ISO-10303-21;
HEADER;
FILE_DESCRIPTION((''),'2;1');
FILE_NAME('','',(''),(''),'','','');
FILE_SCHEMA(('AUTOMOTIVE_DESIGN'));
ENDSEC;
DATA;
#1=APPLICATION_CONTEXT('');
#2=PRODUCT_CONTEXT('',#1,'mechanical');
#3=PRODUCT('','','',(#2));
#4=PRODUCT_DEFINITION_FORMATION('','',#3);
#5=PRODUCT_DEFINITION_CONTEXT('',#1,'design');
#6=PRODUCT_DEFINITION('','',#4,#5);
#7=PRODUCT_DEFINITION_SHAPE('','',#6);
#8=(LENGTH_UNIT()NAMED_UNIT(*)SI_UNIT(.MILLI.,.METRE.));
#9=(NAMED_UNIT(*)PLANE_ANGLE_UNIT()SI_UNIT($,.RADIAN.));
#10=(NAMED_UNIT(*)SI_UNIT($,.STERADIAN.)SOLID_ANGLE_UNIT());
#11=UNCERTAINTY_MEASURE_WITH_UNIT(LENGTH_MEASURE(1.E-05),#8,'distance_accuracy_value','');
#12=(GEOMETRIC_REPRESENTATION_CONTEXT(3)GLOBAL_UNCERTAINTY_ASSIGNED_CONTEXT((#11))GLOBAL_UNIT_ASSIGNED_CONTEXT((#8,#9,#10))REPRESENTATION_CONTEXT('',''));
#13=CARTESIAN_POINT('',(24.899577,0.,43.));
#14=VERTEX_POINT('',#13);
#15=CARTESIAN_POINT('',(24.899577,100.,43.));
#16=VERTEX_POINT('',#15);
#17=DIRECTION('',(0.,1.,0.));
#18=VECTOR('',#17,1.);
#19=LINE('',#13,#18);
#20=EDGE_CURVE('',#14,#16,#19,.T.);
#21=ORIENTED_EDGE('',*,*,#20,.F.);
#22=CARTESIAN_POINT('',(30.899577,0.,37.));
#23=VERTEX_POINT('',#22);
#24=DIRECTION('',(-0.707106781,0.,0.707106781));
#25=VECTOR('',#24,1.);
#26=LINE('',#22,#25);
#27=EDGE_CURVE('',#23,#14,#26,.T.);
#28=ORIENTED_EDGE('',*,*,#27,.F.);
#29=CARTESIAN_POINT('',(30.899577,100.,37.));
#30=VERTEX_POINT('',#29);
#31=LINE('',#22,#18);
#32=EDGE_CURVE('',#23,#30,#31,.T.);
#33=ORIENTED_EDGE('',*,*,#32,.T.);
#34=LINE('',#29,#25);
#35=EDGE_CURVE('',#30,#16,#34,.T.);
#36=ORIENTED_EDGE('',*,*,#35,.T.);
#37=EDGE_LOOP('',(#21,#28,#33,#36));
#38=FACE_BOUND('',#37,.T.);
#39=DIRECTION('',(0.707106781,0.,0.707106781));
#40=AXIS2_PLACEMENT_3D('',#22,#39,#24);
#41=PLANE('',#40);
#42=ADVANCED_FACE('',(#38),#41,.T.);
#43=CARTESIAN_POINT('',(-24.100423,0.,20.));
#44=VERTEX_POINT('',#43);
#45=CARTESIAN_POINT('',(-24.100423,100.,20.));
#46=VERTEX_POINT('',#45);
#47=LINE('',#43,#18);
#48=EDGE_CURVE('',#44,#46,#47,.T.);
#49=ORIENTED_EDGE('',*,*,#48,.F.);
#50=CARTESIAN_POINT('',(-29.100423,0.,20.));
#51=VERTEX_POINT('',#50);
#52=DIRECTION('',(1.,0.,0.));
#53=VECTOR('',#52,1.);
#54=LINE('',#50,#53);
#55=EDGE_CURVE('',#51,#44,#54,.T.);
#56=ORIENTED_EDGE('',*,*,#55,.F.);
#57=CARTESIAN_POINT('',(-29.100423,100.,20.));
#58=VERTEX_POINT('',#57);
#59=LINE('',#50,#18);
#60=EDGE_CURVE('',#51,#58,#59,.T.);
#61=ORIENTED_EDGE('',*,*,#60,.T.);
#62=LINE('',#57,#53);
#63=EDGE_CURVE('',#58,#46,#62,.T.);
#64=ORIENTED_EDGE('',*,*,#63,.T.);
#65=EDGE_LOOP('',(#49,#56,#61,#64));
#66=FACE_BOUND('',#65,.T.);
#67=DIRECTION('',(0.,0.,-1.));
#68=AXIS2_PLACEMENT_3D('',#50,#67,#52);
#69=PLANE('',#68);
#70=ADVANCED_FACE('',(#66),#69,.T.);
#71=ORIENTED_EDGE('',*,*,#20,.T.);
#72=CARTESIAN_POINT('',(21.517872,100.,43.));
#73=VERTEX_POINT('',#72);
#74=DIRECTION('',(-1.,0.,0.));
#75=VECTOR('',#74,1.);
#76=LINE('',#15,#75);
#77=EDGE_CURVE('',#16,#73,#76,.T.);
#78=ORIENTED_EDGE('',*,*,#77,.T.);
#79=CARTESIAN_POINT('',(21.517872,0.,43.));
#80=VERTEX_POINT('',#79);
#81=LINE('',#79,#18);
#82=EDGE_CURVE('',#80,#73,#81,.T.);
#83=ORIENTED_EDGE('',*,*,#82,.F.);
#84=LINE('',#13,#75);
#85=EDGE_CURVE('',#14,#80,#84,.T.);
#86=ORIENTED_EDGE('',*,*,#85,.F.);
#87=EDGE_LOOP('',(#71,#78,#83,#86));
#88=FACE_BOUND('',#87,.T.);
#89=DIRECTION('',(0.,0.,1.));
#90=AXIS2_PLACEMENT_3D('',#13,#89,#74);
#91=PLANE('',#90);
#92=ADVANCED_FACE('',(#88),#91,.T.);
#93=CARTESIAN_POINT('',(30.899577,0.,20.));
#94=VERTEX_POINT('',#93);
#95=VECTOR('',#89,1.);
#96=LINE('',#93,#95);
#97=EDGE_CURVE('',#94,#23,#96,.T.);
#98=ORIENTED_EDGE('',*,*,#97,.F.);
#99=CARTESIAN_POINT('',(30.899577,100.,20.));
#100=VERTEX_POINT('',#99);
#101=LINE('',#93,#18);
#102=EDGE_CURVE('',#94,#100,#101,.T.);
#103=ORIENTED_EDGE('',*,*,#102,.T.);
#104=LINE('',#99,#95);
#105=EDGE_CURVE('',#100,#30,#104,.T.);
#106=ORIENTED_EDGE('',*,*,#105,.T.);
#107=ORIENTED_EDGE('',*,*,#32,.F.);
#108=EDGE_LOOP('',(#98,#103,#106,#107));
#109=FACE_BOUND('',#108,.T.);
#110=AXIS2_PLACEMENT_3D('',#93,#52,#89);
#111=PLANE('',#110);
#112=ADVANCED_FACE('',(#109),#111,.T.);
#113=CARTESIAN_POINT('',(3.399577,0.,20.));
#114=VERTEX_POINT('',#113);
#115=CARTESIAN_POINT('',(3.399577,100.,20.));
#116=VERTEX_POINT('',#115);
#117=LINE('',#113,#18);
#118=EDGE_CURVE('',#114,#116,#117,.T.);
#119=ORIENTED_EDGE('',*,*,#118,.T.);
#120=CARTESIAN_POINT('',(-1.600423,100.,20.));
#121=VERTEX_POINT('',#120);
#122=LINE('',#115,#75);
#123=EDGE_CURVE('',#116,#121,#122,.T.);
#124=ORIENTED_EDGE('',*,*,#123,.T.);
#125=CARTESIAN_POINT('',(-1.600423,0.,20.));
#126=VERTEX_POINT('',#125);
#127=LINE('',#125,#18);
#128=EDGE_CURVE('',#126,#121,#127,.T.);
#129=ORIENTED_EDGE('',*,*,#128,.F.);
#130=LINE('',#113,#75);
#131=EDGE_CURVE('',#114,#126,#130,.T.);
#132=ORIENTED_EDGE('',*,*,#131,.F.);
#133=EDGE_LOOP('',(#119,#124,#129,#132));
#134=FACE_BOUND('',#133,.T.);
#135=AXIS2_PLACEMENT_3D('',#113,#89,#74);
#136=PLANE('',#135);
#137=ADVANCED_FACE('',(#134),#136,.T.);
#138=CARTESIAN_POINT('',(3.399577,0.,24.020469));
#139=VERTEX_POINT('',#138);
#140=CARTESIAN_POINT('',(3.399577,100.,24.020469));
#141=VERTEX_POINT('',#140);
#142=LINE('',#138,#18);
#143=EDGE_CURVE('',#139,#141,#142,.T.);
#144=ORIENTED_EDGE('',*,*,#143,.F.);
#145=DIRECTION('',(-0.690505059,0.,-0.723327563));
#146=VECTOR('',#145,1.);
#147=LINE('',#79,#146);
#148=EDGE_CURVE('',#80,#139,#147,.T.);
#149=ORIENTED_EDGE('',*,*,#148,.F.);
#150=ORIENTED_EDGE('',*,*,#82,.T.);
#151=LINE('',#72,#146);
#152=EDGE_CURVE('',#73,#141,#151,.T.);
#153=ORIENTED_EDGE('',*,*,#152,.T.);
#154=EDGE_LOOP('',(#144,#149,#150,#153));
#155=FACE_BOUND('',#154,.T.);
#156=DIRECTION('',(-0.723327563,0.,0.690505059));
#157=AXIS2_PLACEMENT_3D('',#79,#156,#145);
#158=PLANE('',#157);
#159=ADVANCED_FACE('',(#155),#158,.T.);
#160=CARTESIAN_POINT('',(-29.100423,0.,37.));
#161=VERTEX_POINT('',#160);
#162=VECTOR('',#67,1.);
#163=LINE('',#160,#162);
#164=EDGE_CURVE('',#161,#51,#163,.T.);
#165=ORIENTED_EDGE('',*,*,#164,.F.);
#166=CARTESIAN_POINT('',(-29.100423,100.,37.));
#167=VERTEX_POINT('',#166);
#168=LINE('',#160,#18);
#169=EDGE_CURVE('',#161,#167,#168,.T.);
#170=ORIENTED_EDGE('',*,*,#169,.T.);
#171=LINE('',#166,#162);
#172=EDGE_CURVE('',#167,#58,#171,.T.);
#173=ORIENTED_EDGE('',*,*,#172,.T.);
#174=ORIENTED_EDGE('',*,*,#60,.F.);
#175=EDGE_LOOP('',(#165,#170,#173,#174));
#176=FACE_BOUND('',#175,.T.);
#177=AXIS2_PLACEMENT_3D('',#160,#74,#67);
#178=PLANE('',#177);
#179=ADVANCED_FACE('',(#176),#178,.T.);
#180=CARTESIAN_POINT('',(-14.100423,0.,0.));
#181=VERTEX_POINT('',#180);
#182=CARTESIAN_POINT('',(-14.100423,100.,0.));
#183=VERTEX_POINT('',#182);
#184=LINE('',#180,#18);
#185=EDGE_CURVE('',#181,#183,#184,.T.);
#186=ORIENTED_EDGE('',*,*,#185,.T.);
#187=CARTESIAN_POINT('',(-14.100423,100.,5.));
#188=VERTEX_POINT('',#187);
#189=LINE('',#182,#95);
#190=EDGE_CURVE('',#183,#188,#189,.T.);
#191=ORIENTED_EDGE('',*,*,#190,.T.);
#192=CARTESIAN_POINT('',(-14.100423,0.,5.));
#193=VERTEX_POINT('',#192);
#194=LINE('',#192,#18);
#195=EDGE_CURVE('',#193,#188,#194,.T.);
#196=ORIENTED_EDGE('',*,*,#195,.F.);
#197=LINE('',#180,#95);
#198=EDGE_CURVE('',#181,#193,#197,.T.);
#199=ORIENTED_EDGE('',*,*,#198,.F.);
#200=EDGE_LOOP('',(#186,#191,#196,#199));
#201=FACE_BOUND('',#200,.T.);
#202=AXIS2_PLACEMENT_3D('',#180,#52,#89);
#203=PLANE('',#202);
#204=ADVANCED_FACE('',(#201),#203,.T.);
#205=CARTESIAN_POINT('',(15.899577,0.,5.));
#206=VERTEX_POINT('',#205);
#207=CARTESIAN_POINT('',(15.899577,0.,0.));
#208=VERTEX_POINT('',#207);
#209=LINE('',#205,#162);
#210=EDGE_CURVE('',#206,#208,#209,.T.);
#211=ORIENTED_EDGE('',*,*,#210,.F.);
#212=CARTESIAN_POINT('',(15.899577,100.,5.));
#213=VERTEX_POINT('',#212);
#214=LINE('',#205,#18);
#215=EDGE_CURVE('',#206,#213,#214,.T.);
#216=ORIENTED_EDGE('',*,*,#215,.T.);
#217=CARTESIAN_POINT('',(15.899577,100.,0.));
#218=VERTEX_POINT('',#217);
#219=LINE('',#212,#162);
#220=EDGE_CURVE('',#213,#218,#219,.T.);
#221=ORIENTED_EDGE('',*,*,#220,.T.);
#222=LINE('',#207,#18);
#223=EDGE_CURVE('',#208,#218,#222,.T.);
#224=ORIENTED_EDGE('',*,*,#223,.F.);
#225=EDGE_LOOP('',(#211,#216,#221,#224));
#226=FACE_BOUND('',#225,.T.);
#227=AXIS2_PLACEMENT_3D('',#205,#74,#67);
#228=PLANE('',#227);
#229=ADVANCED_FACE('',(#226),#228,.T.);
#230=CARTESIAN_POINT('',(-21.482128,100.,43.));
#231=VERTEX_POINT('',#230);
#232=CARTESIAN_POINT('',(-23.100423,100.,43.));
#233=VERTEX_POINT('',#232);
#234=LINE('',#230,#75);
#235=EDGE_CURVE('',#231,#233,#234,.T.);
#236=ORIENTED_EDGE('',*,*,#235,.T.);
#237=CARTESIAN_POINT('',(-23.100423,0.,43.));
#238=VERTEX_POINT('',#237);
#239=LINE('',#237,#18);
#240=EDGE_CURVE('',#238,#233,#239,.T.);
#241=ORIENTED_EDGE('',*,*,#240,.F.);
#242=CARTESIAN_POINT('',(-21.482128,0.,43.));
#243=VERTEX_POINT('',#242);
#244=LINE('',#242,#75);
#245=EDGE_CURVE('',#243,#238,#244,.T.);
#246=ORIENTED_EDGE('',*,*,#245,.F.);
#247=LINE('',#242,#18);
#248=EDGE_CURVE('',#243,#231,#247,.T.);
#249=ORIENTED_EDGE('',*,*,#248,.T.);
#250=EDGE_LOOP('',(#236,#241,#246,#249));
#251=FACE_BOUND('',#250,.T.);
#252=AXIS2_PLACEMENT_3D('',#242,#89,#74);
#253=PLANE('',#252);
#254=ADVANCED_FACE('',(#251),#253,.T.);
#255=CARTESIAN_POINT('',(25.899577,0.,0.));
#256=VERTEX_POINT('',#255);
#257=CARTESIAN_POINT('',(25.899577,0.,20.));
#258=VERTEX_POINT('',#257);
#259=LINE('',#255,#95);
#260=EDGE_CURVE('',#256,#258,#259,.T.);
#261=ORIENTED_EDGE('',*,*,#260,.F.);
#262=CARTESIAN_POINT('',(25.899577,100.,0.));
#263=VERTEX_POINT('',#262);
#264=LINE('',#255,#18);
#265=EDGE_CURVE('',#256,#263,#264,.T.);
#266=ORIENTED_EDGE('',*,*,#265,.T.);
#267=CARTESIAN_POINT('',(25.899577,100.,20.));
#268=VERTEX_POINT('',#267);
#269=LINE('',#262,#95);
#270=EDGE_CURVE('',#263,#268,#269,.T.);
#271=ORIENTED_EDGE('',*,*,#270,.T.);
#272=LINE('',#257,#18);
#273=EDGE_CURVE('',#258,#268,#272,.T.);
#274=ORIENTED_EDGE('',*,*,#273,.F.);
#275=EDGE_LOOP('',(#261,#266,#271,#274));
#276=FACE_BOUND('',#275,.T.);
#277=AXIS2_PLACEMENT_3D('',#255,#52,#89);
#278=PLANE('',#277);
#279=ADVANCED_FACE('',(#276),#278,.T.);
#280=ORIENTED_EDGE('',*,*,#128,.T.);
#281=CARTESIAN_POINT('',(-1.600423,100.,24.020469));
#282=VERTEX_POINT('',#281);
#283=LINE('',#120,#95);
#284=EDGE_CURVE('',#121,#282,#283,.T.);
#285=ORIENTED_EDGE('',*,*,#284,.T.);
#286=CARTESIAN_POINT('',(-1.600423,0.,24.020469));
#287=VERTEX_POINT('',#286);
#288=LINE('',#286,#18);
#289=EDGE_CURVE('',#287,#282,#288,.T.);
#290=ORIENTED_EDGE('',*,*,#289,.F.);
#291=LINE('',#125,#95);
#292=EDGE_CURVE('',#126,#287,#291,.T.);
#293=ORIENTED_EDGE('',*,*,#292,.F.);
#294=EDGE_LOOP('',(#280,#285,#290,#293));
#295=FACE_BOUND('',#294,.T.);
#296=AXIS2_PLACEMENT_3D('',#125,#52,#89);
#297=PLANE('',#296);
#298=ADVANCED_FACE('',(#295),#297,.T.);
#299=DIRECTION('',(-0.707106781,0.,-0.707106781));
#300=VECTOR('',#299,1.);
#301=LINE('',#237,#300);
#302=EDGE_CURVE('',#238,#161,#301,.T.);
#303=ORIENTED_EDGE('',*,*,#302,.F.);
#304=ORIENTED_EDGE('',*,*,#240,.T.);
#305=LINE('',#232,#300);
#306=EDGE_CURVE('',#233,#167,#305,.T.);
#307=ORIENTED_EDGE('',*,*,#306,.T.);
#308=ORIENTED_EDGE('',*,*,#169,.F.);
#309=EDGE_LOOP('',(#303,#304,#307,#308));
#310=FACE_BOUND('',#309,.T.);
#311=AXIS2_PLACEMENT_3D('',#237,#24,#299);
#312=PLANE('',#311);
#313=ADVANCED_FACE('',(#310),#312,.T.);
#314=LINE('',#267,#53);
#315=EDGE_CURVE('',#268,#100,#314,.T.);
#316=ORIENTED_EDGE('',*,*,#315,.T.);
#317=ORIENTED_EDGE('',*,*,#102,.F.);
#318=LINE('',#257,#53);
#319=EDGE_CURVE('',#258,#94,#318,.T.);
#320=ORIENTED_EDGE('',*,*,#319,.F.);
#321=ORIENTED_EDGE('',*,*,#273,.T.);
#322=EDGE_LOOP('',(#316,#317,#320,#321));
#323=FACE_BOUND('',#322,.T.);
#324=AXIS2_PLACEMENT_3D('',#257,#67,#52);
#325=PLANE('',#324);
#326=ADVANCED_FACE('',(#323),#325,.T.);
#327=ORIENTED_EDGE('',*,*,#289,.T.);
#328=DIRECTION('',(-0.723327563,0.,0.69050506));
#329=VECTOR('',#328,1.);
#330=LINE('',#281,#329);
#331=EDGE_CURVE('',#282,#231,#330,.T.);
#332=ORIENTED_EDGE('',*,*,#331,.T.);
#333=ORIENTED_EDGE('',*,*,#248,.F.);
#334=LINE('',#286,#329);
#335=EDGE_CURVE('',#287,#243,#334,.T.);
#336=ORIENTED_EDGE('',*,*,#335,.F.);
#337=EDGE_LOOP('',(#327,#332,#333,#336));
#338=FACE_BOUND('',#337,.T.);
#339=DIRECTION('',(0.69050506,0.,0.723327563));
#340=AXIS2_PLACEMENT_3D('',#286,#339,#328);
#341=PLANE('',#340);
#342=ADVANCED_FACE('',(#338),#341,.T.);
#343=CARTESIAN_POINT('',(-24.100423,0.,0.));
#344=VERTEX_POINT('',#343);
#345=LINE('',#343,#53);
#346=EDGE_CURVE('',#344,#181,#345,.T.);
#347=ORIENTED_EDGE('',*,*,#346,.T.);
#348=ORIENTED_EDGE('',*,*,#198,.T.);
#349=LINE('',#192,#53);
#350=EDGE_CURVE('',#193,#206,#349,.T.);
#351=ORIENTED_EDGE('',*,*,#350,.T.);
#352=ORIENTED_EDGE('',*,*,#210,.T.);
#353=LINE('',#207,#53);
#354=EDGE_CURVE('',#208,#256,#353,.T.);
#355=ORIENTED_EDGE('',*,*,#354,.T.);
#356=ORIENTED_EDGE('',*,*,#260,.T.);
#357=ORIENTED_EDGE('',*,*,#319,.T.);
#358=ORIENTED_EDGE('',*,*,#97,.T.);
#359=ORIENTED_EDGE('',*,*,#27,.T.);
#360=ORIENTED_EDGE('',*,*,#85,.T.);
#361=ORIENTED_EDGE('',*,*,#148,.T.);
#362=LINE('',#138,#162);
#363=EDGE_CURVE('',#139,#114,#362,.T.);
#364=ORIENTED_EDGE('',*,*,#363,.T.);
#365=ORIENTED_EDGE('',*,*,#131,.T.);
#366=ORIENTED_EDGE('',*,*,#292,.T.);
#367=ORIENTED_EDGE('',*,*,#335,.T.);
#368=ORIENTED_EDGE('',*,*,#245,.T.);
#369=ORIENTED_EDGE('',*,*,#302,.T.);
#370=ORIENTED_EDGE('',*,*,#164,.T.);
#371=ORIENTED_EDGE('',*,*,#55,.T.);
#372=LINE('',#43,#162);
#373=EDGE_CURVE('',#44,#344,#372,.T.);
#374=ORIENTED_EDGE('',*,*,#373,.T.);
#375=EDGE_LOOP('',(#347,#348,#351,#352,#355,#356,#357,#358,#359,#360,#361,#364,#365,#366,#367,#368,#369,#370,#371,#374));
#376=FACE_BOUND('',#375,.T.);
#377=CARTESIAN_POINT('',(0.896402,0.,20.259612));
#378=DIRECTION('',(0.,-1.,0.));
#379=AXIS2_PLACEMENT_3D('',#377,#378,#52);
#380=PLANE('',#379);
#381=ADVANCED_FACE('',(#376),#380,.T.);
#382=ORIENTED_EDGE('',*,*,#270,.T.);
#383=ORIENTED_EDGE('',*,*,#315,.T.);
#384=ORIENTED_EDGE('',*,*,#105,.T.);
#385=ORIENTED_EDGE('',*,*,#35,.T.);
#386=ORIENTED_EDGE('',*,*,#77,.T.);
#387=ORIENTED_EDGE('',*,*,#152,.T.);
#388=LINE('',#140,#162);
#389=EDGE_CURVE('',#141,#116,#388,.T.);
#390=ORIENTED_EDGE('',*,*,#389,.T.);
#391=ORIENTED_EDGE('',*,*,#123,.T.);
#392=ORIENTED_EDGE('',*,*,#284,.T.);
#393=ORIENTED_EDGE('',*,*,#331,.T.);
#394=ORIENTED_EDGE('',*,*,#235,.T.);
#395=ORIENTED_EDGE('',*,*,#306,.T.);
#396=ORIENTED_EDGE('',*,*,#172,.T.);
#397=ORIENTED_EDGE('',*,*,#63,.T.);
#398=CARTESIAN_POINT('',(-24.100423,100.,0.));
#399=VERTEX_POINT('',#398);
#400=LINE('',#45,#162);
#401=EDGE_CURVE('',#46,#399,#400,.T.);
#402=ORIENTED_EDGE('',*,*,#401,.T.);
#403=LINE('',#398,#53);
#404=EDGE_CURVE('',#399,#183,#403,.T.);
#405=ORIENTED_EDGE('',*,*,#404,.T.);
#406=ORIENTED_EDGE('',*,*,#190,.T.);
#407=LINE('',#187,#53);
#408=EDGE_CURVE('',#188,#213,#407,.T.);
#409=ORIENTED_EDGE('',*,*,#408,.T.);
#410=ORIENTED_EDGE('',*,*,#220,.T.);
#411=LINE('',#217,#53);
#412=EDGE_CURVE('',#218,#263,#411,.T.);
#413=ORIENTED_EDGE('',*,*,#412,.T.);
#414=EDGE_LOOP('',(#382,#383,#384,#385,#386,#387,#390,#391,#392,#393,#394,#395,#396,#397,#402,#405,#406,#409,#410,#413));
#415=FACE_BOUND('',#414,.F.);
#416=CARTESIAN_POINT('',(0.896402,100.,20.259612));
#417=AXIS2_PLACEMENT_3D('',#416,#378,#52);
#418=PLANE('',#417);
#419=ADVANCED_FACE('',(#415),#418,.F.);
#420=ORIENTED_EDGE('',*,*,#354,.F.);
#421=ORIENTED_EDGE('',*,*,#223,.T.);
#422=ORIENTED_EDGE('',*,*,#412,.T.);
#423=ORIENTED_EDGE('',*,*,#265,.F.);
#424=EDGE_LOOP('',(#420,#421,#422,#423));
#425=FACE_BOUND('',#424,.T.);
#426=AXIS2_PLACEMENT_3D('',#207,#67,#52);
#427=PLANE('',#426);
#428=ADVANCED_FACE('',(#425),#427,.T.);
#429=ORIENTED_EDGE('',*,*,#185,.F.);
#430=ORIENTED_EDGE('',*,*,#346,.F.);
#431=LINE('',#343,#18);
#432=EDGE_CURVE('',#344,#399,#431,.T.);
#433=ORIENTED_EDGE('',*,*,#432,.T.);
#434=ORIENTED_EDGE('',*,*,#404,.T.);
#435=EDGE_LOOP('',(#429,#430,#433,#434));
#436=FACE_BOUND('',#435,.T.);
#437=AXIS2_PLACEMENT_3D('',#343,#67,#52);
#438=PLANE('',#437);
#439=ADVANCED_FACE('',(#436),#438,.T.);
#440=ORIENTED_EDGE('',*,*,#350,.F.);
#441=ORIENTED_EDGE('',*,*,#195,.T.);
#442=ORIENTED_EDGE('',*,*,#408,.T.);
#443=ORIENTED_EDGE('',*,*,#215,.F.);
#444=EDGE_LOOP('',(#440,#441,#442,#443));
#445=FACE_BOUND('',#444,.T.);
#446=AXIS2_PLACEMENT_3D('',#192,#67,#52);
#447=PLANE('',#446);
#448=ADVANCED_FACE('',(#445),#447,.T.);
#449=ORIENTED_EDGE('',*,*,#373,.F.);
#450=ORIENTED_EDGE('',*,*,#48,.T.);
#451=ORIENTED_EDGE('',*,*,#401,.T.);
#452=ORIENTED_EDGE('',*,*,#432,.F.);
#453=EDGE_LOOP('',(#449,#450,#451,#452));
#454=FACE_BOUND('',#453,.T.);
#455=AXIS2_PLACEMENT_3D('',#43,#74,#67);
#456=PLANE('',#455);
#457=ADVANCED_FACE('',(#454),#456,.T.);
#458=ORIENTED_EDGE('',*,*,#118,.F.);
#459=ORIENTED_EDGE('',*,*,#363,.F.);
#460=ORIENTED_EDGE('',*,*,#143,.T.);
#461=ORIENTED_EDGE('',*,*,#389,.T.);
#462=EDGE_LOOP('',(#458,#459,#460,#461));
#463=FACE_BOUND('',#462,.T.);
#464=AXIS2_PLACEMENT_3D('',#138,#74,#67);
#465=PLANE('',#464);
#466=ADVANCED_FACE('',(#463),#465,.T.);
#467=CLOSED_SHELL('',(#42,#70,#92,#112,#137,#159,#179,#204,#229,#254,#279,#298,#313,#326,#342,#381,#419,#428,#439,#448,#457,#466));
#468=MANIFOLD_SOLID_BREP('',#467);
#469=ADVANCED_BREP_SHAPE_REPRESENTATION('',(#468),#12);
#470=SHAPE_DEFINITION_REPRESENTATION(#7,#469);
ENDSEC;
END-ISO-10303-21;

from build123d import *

# Parameters (mm, degrees)
F1_DEPTH = 100


with BuildPart() as f1:
    # F0 (on Front) → F1 (new body)
    with BuildSketch(Plane.XZ):
        Polygon((-24.100423, 20), (-24.100423, 0), (-14.100423, 0), (-14.100423, 5), (15.899577, 5), (15.899577, 0), (25.899577, 0), (25.899577, 20), (30.899577, 20), (30.899577, 37), (24.899577, 43), (21.517872, 43), (3.399577, 24.020469), (3.399577, 20), (-1.600423, 20), (-1.600423, 24.020469), (-21.482128, 43), (-23.100423, 43), (-29.100423, 37), (-29.100423, 20), align=None)
    extrude(amount=-F1_DEPTH)


solid = f1.part
